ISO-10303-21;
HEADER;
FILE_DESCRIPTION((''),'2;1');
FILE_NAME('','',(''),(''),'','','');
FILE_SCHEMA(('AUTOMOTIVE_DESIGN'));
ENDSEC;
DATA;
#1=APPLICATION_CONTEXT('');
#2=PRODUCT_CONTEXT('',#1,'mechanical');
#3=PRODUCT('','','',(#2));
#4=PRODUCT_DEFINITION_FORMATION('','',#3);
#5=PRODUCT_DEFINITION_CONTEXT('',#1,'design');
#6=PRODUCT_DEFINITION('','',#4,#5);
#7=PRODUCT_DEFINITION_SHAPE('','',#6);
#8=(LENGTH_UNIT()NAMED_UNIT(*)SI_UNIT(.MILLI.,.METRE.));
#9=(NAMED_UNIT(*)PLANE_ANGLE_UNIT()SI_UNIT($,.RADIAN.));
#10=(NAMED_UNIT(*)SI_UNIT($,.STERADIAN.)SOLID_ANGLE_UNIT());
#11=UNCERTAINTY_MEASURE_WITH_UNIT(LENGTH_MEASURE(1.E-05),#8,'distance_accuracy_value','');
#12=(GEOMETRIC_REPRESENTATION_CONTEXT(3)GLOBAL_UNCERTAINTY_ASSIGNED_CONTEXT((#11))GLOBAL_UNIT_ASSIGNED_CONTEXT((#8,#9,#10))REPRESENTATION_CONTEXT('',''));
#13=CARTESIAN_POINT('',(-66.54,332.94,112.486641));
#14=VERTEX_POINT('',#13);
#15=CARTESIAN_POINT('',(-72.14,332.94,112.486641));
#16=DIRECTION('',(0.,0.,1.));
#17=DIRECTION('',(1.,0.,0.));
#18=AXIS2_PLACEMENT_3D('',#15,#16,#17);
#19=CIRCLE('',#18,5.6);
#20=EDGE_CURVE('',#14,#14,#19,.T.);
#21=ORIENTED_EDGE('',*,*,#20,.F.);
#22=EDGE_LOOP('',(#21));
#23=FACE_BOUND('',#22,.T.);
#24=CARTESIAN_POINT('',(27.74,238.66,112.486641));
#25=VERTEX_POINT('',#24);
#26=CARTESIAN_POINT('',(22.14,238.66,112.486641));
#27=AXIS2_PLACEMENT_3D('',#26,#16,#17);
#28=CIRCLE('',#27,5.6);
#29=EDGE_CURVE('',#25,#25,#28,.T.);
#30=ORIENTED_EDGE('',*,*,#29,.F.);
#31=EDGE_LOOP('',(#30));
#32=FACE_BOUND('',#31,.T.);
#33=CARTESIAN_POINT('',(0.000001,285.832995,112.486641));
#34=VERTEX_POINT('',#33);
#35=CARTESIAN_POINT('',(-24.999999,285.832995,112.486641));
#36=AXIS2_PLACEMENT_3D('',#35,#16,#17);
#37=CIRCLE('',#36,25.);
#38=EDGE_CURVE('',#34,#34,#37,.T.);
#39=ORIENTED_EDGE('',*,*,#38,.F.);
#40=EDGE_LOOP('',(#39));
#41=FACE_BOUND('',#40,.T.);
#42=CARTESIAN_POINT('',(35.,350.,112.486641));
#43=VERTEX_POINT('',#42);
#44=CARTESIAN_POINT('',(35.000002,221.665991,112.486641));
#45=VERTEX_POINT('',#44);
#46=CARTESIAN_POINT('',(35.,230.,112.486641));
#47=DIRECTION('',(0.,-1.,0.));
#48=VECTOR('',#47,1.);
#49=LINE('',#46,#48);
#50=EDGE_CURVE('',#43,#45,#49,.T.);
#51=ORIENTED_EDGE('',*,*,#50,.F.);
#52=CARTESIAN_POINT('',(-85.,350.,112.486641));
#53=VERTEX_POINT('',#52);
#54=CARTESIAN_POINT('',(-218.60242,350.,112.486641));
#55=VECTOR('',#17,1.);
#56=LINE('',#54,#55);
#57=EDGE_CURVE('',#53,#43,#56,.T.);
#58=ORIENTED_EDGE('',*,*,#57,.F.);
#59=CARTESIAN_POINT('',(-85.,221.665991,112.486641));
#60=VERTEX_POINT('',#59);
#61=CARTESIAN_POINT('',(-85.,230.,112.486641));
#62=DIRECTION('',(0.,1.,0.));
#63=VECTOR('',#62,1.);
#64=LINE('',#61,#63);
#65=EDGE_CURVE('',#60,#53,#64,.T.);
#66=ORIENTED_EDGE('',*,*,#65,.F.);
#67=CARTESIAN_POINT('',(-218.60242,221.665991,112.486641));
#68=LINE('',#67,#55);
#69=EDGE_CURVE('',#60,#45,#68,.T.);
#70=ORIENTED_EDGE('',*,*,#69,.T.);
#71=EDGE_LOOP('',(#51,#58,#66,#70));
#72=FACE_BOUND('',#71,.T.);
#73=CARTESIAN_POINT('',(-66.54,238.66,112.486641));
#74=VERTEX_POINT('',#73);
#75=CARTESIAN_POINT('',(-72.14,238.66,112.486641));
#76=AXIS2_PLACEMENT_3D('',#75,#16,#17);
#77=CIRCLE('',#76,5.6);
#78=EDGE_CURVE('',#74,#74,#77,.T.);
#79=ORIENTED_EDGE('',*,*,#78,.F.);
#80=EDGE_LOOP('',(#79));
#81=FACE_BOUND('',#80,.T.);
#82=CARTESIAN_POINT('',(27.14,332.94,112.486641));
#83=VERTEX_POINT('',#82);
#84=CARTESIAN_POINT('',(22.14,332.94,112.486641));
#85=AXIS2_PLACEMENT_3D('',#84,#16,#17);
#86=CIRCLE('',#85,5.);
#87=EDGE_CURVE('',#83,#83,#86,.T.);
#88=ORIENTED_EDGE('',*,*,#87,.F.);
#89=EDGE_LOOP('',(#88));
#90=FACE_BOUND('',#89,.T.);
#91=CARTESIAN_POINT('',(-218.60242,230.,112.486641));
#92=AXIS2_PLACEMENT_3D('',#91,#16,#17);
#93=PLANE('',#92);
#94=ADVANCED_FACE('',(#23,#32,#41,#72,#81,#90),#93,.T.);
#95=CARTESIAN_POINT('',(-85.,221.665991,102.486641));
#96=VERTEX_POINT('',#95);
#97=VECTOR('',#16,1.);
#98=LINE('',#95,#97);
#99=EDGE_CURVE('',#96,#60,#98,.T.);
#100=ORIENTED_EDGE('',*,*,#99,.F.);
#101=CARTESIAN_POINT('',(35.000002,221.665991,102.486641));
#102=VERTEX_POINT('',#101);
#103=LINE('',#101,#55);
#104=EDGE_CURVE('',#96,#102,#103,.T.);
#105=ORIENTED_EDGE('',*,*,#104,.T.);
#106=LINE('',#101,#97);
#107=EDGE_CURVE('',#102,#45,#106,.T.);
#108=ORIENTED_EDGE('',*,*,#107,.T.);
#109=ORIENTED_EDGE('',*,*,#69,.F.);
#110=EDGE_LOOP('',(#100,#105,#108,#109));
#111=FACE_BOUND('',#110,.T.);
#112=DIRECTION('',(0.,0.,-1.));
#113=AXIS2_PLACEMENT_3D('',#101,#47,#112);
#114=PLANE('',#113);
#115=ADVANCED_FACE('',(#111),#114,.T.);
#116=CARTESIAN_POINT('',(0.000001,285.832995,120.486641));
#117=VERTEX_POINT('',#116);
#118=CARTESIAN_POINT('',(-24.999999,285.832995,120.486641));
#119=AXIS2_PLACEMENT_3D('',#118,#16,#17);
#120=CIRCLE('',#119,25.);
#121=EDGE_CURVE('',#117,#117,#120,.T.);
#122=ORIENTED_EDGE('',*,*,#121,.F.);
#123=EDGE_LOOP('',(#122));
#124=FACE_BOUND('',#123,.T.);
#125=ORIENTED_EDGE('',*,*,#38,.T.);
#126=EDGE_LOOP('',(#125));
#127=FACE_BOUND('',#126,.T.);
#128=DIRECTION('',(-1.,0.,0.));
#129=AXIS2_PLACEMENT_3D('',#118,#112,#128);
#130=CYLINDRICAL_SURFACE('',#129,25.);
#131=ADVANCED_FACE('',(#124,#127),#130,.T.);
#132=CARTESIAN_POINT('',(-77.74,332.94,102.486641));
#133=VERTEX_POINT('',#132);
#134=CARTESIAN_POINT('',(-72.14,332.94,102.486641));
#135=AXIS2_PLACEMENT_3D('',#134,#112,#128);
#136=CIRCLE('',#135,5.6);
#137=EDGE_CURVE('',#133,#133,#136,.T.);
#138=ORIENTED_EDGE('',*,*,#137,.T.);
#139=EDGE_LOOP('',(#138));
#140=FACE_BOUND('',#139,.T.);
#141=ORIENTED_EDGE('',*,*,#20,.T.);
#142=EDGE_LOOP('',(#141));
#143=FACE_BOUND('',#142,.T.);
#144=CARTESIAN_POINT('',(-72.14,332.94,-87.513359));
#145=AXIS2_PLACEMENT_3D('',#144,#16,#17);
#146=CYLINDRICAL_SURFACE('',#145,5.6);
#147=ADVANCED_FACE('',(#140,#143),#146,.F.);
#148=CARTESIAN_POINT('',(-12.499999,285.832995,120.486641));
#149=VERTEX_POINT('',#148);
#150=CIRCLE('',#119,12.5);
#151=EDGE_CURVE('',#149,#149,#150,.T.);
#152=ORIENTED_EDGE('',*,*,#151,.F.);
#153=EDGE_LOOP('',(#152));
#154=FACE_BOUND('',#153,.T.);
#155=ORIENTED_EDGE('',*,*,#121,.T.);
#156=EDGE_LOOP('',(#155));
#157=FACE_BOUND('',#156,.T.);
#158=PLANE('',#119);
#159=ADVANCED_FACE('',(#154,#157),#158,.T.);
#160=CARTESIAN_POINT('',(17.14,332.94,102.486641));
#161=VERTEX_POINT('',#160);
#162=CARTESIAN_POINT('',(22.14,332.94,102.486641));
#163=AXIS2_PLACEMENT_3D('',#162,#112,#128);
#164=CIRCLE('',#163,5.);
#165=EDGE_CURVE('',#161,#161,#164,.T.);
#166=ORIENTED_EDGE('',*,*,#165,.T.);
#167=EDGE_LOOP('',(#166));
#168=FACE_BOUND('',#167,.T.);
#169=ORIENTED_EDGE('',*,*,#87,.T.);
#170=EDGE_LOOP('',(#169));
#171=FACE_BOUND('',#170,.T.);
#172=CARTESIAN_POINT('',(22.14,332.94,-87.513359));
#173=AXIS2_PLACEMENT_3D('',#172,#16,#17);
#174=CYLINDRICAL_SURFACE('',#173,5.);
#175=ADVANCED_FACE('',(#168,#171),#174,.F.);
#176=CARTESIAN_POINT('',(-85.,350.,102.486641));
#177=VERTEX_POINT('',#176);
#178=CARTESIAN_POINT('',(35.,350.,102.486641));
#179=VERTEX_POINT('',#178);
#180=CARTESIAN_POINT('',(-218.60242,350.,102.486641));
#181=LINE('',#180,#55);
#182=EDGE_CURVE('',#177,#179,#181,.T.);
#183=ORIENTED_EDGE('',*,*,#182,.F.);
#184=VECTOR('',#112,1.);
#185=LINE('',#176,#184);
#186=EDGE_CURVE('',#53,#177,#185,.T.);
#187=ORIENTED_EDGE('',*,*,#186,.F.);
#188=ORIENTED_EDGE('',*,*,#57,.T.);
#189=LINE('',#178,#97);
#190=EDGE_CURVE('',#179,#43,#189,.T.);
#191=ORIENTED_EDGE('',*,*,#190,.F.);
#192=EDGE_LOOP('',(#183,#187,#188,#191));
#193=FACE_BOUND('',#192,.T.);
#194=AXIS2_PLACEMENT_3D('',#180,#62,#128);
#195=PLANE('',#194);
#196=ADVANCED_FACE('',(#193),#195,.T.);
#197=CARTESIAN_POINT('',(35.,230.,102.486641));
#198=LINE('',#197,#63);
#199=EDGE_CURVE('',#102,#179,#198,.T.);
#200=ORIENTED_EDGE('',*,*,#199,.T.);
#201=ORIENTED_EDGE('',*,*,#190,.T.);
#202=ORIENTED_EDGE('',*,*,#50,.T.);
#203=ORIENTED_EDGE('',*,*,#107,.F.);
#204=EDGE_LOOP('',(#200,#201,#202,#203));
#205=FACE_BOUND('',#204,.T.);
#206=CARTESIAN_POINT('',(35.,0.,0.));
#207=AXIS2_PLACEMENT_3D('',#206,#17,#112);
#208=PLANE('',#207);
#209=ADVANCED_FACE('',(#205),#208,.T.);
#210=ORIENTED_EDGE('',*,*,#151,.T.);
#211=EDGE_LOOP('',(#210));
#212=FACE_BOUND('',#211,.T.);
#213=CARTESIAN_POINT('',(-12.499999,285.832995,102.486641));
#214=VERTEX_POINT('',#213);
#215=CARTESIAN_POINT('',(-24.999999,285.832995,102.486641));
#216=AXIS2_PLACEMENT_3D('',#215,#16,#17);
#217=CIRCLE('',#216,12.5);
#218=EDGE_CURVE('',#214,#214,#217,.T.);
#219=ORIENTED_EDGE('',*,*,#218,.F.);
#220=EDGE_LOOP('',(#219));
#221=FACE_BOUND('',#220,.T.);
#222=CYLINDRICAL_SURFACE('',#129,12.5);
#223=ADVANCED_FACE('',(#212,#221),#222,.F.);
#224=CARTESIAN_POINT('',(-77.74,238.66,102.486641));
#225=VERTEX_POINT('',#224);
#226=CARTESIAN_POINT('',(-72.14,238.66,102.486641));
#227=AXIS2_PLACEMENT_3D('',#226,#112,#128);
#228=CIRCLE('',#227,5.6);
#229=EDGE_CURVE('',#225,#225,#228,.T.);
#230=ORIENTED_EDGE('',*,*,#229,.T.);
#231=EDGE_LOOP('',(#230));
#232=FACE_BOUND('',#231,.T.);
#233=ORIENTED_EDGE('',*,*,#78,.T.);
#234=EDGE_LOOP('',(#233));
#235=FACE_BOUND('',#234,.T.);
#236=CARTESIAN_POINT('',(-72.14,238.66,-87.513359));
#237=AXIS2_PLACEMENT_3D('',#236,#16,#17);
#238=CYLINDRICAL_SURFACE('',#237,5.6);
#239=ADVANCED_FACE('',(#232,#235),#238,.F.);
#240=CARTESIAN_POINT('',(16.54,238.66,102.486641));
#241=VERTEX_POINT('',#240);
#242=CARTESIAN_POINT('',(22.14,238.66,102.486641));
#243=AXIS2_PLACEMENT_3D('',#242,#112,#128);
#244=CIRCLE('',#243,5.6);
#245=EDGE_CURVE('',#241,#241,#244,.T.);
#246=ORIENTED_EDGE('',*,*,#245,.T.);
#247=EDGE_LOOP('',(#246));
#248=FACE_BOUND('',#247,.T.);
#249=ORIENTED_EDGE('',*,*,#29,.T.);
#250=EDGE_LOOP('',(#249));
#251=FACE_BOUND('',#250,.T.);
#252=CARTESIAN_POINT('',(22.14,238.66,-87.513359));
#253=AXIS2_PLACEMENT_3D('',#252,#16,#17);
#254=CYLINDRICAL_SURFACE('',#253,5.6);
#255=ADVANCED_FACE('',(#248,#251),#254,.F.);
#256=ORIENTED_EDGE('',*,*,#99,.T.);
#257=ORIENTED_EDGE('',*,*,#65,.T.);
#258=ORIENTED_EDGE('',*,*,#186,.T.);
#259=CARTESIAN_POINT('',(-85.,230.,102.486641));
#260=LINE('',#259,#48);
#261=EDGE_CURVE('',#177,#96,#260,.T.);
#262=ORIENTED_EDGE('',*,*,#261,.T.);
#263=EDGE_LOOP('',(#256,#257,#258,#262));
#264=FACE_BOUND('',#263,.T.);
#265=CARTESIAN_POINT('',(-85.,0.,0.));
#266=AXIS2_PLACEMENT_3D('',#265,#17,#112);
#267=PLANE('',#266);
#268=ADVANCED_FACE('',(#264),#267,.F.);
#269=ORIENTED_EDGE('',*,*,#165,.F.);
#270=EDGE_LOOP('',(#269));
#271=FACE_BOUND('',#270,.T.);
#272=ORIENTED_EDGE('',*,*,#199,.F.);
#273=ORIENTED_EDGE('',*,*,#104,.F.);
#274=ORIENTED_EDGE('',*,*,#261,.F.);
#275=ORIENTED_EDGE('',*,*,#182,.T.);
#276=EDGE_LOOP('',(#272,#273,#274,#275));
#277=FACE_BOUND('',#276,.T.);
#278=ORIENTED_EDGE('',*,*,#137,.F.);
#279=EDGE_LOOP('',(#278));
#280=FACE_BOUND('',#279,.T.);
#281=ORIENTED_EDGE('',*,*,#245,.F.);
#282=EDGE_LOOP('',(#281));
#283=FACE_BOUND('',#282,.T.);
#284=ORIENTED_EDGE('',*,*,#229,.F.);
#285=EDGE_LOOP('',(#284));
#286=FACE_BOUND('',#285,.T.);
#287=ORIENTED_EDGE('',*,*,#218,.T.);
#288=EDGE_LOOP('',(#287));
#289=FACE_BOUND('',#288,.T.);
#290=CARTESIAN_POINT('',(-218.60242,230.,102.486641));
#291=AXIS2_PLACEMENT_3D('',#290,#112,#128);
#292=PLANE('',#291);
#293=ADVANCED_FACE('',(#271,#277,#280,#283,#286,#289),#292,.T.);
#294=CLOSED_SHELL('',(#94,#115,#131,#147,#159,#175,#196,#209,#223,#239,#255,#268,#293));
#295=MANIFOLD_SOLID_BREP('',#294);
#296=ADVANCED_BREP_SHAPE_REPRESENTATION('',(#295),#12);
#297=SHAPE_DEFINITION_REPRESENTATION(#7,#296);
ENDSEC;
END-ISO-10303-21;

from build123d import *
from OCP.BRepFilletAPI import BRepFilletAPI_MakeChamfer

# Parameters (mm, degrees)
SKETCH_1_W               = 150
SKETCH_1_H               = 150
EXTRUDE_1_DEPTH          = 20
SKETCH_2_W               = 200
SKETCH_2_H               = 170
EXTRUDE_2_DEPTH          = 20
SKETCH_3_W               = 200
SKETCH_3_H               = 22.5
EXTRUDE_3_DEPTH          = 20
SKETCH_4_W               = 200
SKETCH_4_H               = 101.536616744
SKETCH_4_R               = 12
EXTRUDE_4_DEPTH          = 10
SKETCH_5_W               = 200
SKETCH_5_H               = 170
EXTRUDE_5_DEPTH          = 10
SKETCH_6_W               = 12.361111111
SKETCH_6_H               = 120
EXTRUDE_6_DEPTH          = 60
CHAMFER_1_SIZE           = 10
CHAMFER_1_SIZE2          = 12.546778674
SKETCH_8_R               = 12.5
CUT_EXTRUDE_1_DEPTH      = 200
SKETCH_9_R               = 5.6
CUT_EXTRUDE_2_DEPTH      = 200
FILLET_1_R               = 10
SKETCH_10_R              = 40
SKETCH_10_R_2            = 8.532995409
EXTRUDE_7_DEPTH          = 5
SKETCH_11_R              = 12.5
CUT_EXTRUDE_3_DEPTH      = 200
SKETCH_12_W              = 50
SKETCH_12_H              = 12.140710291
EXTRUDE_8_DEPTH          = 120
EXTRUDE_9_DEPTH          = 120
SKETCH_14_R              = 5
SKETCH_14_R_2            = 5.6
CUT_EXTRUDE_4_DEPTH      = 200
CUT_EXTRUDE_5_DEPTH      = 428.663313117
CUT_EXTRUDE_5_DEPTH_BACK = 428.663313117
SKETCH_16_W              = 64.88929467
SKETCH_16_H              = 154.650571828
SKETCH_17_R              = 25
SKETCH_17_R_2            = 12.5
EXTRUDE_11_DEPTH         = 8
RIB_1_REACH              = 411.018
SKETCH_18_WALL_W         = 895.028437604
SKETCH_18_WALL_H         = 15
CUT_EXTRUDE_6_DEPTH      = 428.663313117
CUT_EXTRUDE_6_DEPTH_BACK = 428.663313117
CUT_EXTRUDE_7_DEPTH      = 390.123413038
CUT_EXTRUDE_7_DEPTH_BACK = 390.123413038
SKETCH_20_W              = 77.763891656
SKETCH_20_H              = 49.195078016
CUT_EXTRUDE_8_DEPTH      = 361.312364484
CUT_EXTRUDE_8_DEPTH_BACK = 361.312364484
SKETCH_21_OUTSIDE_W      = 157.88
SKETCH_21_OUTSIDE_H      = 170.021
SKETCH_21_OUTSIDE_W_2    = 120.000001731
SKETCH_21_OUTSIDE_H_2    = 128.334009182
CUT_EXTRUDE_9_DEPTH      = 361.312364484
CUT_EXTRUDE_9_DEPTH_BACK = 361.312364484
SKETCH_22_R              = 12.5


with BuildPart() as part:
    # 草图1 → 凸台-拉伸1 (new body)
    with BuildSketch(Plane(origin=(0, 0, 0), x_dir=(1, 0, 0), z_dir=(0, 1, 0))):
        Rectangle(SKETCH_1_W, SKETCH_1_H)
    extrude(amount=EXTRUDE_1_DEPTH)

    # 草图2 → 凸台-拉伸2 (add)
    with BuildSketch(Plane(origin=(0, 20, 0), x_dir=(1, 0, 0), z_dir=(0, 1, 0))):
        with Locations((-25, 0)):
            Rectangle(SKETCH_2_W, SKETCH_2_H)
    extrude(amount=-EXTRUDE_2_DEPTH)

    # 草图3 → 凸台-拉伸3 (add)
    with BuildSketch(Plane(origin=(0, 20, 0), x_dir=(1, 0, 0), z_dir=(0, 1, 0))):
        with Locations((-25, -96.25)):
            Rectangle(SKETCH_3_W, SKETCH_3_H)
    extrude(amount=-EXTRUDE_3_DEPTH)

    # 草图4 → 凸台-拉伸4 (add)
    with BuildSketch(Plane(origin=(0, 20, 0), x_dir=(1, 0, 0), z_dir=(0, 1, 0))):
        with Locations((-25, -135.768308372)):
            Rectangle(SKETCH_4_W, SKETCH_4_H)
        with Locations(Location((35, -147.018308372, 0), (0, 0, 270))):
            Circle(SKETCH_4_R, mode=Mode.SUBTRACT)
        with Locations(Location((-85, -147.018308372, 0), (0, 0, 270))):
            Circle(SKETCH_4_R, mode=Mode.SUBTRACT)
    extrude(amount=EXTRUDE_4_DEPTH)

    # 草图5 → 凸台-拉伸5 (add)
    with BuildSketch(Plane(origin=(0, 20, 0), x_dir=(1, 0, 0), z_dir=(0, 1, 0))):
        with Locations((-25, 0)):
            Rectangle(SKETCH_5_W, SKETCH_5_H)
    extrude(amount=EXTRUDE_5_DEPTH)

    # 草图6 → 凸台-拉伸6 (add, symmetric)
    with BuildSketch(Plane(origin=(-25, 0, 0), x_dir=(0, 0, -1), z_dir=(1, 0, 0))):
        Polygon((-67.5, 30), (-5, 30), (-42.777777778, 230), (-67.5, 230), align=None)
        with Locations((-61.319444445, 290)):
            Rectangle(SKETCH_6_W, SKETCH_6_H)
    extrude(amount=EXTRUDE_6_DEPTH, both=True)

    # 倒角1: one chamfer whose edges measure the first distance from different faces: ONE call of the kernel's chamfer builder (chamfer() names one face for all edges)
    chamfer_1_edges_1 = [part.edges().sort_by_distance(p)[0] for p in [
        (-85, 30, 36.25),
        (-25, 30, 67.5),
        (35, 30, 36.25),
    ]]
    chamfer_1_edges_2 = [part.edges().sort_by_distance(p)[0] for p in [
        (-25, 30, 5),
    ]]
    chamfer_1_side_2 = [part.faces().sort_by_distance(p)[0] for p in [
        (-121.627580479, 30, 50.768308372),
    ]]
    chamfer_1 = BRepFilletAPI_MakeChamfer(part.part.solid().wrapped)
    for e in chamfer_1_edges_1:
        chamfer_1.Add(CHAMFER_1_SIZE, e.wrapped)
    for e in chamfer_1_edges_2:
        chamfer_1.Add(CHAMFER_1_SIZE, CHAMFER_1_SIZE2, e.wrapped, chamfer_1_side_2[0].wrapped)  # the first distance lies on this face
    add(Compound.cast(chamfer_1.Shape()), mode=Mode.REPLACE)

    # 草图8 → 切除-拉伸1 (cut)
    with BuildSketch(Plane.XY.offset(67.5)):
        with Locations((-25, 285.8)):
            Circle(SKETCH_8_R)
    extrude(amount=-CUT_EXTRUDE_1_DEPTH, mode=Mode.SUBTRACT)

    # 草图9 → 切除-拉伸2 (cut)
    with BuildSketch(Plane.XY.offset(67.5)):
        with Locations((-72.14, 333.54)):
            Circle(SKETCH_9_R)
        with Locations((-72.14, 239.26)):
            Circle(SKETCH_9_R)
        with Locations((22.14, 239.26)):
            Circle(SKETCH_9_R)
        with Locations((22.14, 333.54)):
            Circle(SKETCH_9_R)
    extrude(amount=-CUT_EXTRUDE_2_DEPTH, mode=Mode.SUBTRACT)

    # 圆角1
    fillet_1_edges = [part.edges().sort_by_distance(p)[0] for p in [
        (35, 350, 61.319444444),
        (-85, 350, 61.319444444),
    ]]
    fillet(fillet_1_edges, radius=FILLET_1_R)

    # 草图10 → 凸台-拉伸7 (add)
    with BuildSketch(Plane.XY.offset(67.5)):
        with Locations((-25, 285.8)):
            Circle(SKETCH_10_R)
        with Locations((-25, 285.8)):
            Circle(SKETCH_10_R_2, mode=Mode.SUBTRACT)
    extrude(amount=EXTRUDE_7_DEPTH)

    # 草图11 → 切除-拉伸3 (cut)
    with BuildSketch(Plane.XY.offset(72.5)):
        with Locations((-25, 285.8)):
            Circle(SKETCH_11_R)
    extrude(amount=-CUT_EXTRUDE_3_DEPTH, mode=Mode.SUBTRACT)

    # 草图12 → 凸台-拉伸8 (add)
    with BuildSketch(Plane(origin=(35, 0, 0), x_dir=(0, 0, -1), z_dir=(1, 0, 0))):
        with Locations((-67.777777778, 223.929644855)):
            Rectangle(SKETCH_12_W, SKETCH_12_H)
    extrude(amount=-EXTRUDE_8_DEPTH)

    # 草图13 → 凸台-拉伸9 (add)
    with BuildSketch(Plane(origin=(35, 0, 0), x_dir=(0, 0, -1), z_dir=(1, 0, 0))):
        Polygon((-92.777777778, 230), (-102.486640647, 230), (-102.486640647, 350), (-112.486640647, 350), (-112.486640647, 230), (-112.486640647, 217.859289709), (-92.777777778, 217.859289709), align=None)
    extrude(amount=-EXTRUDE_9_DEPTH)

    # 草图14 → 切除-拉伸4 (cut)
    with BuildSketch(Plane.XY.offset(112.486640647)):
        with Locations((22.14, 332.94)):
            Circle(SKETCH_14_R)
        with Locations((22.14, 238.66)):
            Circle(SKETCH_14_R_2)
        with Locations((-72.14, 238.66)):
            Circle(SKETCH_14_R_2)
        with Locations((-72.14, 332.94)):
            Circle(SKETCH_14_R_2)
    extrude(amount=-CUT_EXTRUDE_4_DEPTH, mode=Mode.SUBTRACT)

    # 草图16 → 切除-拉伸5 (cut, two sides: drawn at the far end of the back side and taken through both)
    with BuildSketch(Plane.ZY.offset(85).offset(-CUT_EXTRUDE_5_DEPTH_BACK)):
        with Locations((49.451016332, 307.325285914)):
            Rectangle(SKETCH_16_W, SKETCH_16_H)
    extrude(amount=CUT_EXTRUDE_5_DEPTH + CUT_EXTRUDE_5_DEPTH_BACK, mode=Mode.SUBTRACT)

    # 草图17 → 凸台-拉伸11 (add)
    with BuildSketch(Plane.XY.offset(112.486640647)):
        with Locations((-24.999999135, 285.832995409)):
            Circle(SKETCH_17_R)
        with Locations((-24.999999135, 285.832995409)):
            Circle(SKETCH_17_R_2, mode=Mode.SUBTRACT)
    extrude(amount=EXTRUDE_11_DEPTH)

    # 草图18 wall → 筋1 (add, up to next)
    with BuildSketch(Plane(origin=(-25, 187.859289709, 89.993320324), x_dir=(0, -0.800085500873, -0.599885981911), z_dir=(0, 0.599885981911, -0.800085500873)), mode=Mode.PRIVATE) as rib_1_sk1:
        Rectangle(SKETCH_18_WALL_W, SKETCH_18_WALL_H)
    rib_1_tool1 = extrude(rib_1_sk1.sketch, amount=RIB_1_REACH, mode=Mode.PRIVATE) - part.part
    add(rib_1_tool1.solids().sort_by_distance((-25, 187.859289709, 89.993320324))[0])

    # 草图19 → 切除-拉伸6 (cut, two sides: drawn at the far end of the back side and taken through both)
    with BuildSketch(Plane(origin=(35, 0, 0), x_dir=(0, 0, -1), z_dir=(1, 0, 0)).offset(-CUT_EXTRUDE_6_DEPTH_BACK)):
        Polygon((-112.486640647, 217.859289709), (203.167671069, 217.859289709), (203.167671069, -23.133322037), (-112.486640647, -23.133322037), (-240.759412705, -23.133322037), (-240.759412705, 217.859289709), align=None)
    extrude(amount=CUT_EXTRUDE_6_DEPTH + CUT_EXTRUDE_6_DEPTH_BACK, mode=Mode.SUBTRACT)

    # 草图20 → 切除-拉伸7 (cut, two sides: drawn at the far end of the back side and taken through both)
    with BuildSketch(Plane(origin=(35, 0, 0), x_dir=(0, 0, -1), z_dir=(1, 0, 0)).offset(-CUT_EXTRUDE_7_DEPTH_BACK)):
        with Locations((-63.604694819, 225.128578756)):
            Rectangle(SKETCH_20_W, SKETCH_20_H)
    extrude(amount=CUT_EXTRUDE_7_DEPTH + CUT_EXTRUDE_7_DEPTH_BACK, mode=Mode.SUBTRACT)

    # 草图21 outside → 切除-拉伸8 (cut, two sides: drawn at the far end of the back side and taken through both)
    with BuildSketch(Plane.XY.offset(112.486640647).offset(-CUT_EXTRUDE_8_DEPTH_BACK)):
        with Locations((-25, 283.9295)):
            Rectangle(SKETCH_21_OUTSIDE_W, SKETCH_21_OUTSIDE_H)
        with Locations((-24.999999134, 285.832995409)):
            Rectangle(SKETCH_21_OUTSIDE_W_2, SKETCH_21_OUTSIDE_H_2, mode=Mode.SUBTRACT)
    extrude(amount=CUT_EXTRUDE_8_DEPTH + CUT_EXTRUDE_8_DEPTH_BACK, mode=Mode.SUBTRACT)

    # 草图22 → 切除-拉伸9 (cut, two sides: drawn at the far end of the back side and taken through both)
    with BuildSketch(Plane.XY.offset(112.486640647).offset(-CUT_EXTRUDE_9_DEPTH_BACK)):
        with Locations((-24.999999135, 285.832995409)):
            Circle(SKETCH_22_R)
    extrude(amount=CUT_EXTRUDE_9_DEPTH + CUT_EXTRUDE_9_DEPTH_BACK, mode=Mode.SUBTRACT)


solid = part.part
